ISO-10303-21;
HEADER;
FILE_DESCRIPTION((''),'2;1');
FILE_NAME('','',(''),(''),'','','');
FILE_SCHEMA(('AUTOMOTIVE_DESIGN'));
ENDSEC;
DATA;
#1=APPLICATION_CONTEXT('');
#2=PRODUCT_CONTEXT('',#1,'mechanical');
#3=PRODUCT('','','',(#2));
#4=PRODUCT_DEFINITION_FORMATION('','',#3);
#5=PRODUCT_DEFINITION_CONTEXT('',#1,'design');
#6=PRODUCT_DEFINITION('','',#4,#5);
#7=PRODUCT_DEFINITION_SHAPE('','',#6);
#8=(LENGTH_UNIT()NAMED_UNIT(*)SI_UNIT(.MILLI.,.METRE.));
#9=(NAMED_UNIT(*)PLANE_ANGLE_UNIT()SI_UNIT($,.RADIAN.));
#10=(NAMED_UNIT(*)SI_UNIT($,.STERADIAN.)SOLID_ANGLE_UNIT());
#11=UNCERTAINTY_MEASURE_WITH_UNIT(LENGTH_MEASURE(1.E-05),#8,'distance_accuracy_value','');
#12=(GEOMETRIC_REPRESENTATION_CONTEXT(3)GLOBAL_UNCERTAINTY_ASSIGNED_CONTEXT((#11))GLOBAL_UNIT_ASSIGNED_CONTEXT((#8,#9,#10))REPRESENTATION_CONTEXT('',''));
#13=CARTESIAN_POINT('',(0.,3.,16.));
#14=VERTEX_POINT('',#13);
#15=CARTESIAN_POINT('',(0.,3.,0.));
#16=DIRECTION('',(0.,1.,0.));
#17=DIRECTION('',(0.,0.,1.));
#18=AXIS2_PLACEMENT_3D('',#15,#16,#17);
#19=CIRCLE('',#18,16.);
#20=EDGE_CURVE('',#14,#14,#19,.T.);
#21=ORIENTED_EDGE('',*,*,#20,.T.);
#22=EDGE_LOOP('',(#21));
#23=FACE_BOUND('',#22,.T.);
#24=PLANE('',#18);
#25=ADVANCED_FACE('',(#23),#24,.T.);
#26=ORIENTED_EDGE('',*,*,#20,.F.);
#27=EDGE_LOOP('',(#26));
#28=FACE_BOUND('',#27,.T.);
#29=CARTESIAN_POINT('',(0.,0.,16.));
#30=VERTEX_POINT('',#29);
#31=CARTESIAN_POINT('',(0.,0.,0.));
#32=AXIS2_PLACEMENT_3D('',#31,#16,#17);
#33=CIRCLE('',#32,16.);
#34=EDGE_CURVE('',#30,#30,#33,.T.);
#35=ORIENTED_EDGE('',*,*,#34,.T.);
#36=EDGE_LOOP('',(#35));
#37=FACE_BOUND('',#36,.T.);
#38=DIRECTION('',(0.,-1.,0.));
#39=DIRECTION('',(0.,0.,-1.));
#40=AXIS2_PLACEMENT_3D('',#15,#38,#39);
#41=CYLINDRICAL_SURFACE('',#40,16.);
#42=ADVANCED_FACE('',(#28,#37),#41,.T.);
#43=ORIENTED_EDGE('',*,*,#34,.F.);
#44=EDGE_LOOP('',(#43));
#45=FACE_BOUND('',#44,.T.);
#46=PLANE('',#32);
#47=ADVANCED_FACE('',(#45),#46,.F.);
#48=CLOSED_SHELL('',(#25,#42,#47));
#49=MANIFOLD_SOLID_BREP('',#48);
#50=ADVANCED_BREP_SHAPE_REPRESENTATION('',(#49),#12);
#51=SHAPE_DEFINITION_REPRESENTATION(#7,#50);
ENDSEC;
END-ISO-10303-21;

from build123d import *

# Parameters (mm, degrees)
SKETCH1_R           = 16
BOSS_EXTRUDE1_DEPTH = 3


with BuildPart() as part:
    # Sketch1 → Boss-Extrude1 (new body)
    with BuildSketch(Plane(origin=(0, 0, 0), x_dir=(1, 0, 0), z_dir=(0, 1, 0))):
        with Locations(Location((0, 0, 0), (0, 0, 270))):
            Circle(SKETCH1_R)
    extrude(amount=BOSS_EXTRUDE1_DEPTH)


solid = part.part
